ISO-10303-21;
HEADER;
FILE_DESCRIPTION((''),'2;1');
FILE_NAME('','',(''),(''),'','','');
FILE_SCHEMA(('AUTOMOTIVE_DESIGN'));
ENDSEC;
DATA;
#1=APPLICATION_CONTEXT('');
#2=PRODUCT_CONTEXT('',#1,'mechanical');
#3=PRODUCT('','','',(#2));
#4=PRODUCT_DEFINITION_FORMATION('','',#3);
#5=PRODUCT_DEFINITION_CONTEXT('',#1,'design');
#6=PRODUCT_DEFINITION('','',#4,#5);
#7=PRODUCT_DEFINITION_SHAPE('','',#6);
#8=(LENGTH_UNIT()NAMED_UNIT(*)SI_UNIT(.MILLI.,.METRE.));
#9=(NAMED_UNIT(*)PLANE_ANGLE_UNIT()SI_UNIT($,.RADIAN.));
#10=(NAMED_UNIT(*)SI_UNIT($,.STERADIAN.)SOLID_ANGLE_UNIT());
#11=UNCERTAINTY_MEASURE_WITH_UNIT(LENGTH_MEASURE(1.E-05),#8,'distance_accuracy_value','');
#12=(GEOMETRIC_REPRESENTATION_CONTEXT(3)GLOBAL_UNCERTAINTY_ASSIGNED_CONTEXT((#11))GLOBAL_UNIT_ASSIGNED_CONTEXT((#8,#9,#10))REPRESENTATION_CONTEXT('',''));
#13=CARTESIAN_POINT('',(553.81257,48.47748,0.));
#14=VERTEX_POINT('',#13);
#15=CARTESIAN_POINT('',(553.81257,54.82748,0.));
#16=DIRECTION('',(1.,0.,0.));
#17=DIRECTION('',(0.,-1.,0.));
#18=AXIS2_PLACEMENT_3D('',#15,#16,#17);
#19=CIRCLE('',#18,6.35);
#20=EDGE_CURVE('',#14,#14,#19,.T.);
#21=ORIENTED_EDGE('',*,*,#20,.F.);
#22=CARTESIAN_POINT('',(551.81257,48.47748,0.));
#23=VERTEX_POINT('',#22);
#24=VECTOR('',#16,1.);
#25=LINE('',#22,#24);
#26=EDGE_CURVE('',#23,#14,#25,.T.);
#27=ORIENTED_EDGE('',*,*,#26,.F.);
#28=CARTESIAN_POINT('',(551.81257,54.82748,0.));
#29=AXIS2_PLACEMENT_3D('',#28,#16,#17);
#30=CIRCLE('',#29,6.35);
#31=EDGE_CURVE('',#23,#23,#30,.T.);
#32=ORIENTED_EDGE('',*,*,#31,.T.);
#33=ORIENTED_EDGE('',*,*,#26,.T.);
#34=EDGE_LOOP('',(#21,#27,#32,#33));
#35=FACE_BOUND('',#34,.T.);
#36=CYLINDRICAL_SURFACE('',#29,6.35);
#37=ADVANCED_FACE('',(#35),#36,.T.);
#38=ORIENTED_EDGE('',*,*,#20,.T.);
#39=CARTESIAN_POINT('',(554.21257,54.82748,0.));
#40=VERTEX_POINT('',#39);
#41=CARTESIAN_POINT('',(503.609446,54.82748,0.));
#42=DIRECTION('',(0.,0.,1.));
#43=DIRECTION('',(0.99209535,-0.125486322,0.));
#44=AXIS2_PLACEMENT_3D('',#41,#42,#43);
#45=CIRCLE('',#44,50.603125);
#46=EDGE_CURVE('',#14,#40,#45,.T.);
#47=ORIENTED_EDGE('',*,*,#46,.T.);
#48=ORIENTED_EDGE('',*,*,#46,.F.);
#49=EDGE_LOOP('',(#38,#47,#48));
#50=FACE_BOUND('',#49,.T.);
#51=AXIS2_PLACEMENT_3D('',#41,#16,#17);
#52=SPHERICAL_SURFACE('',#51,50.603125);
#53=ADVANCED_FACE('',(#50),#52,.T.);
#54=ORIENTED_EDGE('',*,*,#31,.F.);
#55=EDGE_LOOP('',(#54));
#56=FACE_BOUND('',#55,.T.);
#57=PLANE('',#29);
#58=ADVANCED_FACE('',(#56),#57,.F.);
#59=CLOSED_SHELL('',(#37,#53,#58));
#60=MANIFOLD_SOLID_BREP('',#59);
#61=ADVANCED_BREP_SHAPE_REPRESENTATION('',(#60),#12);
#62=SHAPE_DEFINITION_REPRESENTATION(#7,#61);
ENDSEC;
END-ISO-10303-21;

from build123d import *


with BuildPart() as part:
    # 草图2 → 旋转2 (revolve)
    with BuildSketch(Plane.XY, mode=Mode.PRIVATE) as revolve_2_sk:
        with BuildLine():
            Line((551.812570364, 54.827479991), (551.812570364, 61.177479991))
            Line((551.812570364, 61.177479991), (553.812570364, 61.177479991))
            ThreePointArc((553.812570364, 61.177479991), (554.112471361, 58.008772967), (554.212570364, 54.827479991))
            Line((554.212570364, 54.827479991), (551.812570364, 54.827479991))
        make_face()
    revolve(revolve_2_sk.sketch.rotate(Axis((549.552039219, 54.827479991, 0), (1, 0, 0)), 180), axis=Axis((549.552039219, 54.827479991, 0), (1, 0, 0)))  # turned: the seam where the file's is


solid = part.part
